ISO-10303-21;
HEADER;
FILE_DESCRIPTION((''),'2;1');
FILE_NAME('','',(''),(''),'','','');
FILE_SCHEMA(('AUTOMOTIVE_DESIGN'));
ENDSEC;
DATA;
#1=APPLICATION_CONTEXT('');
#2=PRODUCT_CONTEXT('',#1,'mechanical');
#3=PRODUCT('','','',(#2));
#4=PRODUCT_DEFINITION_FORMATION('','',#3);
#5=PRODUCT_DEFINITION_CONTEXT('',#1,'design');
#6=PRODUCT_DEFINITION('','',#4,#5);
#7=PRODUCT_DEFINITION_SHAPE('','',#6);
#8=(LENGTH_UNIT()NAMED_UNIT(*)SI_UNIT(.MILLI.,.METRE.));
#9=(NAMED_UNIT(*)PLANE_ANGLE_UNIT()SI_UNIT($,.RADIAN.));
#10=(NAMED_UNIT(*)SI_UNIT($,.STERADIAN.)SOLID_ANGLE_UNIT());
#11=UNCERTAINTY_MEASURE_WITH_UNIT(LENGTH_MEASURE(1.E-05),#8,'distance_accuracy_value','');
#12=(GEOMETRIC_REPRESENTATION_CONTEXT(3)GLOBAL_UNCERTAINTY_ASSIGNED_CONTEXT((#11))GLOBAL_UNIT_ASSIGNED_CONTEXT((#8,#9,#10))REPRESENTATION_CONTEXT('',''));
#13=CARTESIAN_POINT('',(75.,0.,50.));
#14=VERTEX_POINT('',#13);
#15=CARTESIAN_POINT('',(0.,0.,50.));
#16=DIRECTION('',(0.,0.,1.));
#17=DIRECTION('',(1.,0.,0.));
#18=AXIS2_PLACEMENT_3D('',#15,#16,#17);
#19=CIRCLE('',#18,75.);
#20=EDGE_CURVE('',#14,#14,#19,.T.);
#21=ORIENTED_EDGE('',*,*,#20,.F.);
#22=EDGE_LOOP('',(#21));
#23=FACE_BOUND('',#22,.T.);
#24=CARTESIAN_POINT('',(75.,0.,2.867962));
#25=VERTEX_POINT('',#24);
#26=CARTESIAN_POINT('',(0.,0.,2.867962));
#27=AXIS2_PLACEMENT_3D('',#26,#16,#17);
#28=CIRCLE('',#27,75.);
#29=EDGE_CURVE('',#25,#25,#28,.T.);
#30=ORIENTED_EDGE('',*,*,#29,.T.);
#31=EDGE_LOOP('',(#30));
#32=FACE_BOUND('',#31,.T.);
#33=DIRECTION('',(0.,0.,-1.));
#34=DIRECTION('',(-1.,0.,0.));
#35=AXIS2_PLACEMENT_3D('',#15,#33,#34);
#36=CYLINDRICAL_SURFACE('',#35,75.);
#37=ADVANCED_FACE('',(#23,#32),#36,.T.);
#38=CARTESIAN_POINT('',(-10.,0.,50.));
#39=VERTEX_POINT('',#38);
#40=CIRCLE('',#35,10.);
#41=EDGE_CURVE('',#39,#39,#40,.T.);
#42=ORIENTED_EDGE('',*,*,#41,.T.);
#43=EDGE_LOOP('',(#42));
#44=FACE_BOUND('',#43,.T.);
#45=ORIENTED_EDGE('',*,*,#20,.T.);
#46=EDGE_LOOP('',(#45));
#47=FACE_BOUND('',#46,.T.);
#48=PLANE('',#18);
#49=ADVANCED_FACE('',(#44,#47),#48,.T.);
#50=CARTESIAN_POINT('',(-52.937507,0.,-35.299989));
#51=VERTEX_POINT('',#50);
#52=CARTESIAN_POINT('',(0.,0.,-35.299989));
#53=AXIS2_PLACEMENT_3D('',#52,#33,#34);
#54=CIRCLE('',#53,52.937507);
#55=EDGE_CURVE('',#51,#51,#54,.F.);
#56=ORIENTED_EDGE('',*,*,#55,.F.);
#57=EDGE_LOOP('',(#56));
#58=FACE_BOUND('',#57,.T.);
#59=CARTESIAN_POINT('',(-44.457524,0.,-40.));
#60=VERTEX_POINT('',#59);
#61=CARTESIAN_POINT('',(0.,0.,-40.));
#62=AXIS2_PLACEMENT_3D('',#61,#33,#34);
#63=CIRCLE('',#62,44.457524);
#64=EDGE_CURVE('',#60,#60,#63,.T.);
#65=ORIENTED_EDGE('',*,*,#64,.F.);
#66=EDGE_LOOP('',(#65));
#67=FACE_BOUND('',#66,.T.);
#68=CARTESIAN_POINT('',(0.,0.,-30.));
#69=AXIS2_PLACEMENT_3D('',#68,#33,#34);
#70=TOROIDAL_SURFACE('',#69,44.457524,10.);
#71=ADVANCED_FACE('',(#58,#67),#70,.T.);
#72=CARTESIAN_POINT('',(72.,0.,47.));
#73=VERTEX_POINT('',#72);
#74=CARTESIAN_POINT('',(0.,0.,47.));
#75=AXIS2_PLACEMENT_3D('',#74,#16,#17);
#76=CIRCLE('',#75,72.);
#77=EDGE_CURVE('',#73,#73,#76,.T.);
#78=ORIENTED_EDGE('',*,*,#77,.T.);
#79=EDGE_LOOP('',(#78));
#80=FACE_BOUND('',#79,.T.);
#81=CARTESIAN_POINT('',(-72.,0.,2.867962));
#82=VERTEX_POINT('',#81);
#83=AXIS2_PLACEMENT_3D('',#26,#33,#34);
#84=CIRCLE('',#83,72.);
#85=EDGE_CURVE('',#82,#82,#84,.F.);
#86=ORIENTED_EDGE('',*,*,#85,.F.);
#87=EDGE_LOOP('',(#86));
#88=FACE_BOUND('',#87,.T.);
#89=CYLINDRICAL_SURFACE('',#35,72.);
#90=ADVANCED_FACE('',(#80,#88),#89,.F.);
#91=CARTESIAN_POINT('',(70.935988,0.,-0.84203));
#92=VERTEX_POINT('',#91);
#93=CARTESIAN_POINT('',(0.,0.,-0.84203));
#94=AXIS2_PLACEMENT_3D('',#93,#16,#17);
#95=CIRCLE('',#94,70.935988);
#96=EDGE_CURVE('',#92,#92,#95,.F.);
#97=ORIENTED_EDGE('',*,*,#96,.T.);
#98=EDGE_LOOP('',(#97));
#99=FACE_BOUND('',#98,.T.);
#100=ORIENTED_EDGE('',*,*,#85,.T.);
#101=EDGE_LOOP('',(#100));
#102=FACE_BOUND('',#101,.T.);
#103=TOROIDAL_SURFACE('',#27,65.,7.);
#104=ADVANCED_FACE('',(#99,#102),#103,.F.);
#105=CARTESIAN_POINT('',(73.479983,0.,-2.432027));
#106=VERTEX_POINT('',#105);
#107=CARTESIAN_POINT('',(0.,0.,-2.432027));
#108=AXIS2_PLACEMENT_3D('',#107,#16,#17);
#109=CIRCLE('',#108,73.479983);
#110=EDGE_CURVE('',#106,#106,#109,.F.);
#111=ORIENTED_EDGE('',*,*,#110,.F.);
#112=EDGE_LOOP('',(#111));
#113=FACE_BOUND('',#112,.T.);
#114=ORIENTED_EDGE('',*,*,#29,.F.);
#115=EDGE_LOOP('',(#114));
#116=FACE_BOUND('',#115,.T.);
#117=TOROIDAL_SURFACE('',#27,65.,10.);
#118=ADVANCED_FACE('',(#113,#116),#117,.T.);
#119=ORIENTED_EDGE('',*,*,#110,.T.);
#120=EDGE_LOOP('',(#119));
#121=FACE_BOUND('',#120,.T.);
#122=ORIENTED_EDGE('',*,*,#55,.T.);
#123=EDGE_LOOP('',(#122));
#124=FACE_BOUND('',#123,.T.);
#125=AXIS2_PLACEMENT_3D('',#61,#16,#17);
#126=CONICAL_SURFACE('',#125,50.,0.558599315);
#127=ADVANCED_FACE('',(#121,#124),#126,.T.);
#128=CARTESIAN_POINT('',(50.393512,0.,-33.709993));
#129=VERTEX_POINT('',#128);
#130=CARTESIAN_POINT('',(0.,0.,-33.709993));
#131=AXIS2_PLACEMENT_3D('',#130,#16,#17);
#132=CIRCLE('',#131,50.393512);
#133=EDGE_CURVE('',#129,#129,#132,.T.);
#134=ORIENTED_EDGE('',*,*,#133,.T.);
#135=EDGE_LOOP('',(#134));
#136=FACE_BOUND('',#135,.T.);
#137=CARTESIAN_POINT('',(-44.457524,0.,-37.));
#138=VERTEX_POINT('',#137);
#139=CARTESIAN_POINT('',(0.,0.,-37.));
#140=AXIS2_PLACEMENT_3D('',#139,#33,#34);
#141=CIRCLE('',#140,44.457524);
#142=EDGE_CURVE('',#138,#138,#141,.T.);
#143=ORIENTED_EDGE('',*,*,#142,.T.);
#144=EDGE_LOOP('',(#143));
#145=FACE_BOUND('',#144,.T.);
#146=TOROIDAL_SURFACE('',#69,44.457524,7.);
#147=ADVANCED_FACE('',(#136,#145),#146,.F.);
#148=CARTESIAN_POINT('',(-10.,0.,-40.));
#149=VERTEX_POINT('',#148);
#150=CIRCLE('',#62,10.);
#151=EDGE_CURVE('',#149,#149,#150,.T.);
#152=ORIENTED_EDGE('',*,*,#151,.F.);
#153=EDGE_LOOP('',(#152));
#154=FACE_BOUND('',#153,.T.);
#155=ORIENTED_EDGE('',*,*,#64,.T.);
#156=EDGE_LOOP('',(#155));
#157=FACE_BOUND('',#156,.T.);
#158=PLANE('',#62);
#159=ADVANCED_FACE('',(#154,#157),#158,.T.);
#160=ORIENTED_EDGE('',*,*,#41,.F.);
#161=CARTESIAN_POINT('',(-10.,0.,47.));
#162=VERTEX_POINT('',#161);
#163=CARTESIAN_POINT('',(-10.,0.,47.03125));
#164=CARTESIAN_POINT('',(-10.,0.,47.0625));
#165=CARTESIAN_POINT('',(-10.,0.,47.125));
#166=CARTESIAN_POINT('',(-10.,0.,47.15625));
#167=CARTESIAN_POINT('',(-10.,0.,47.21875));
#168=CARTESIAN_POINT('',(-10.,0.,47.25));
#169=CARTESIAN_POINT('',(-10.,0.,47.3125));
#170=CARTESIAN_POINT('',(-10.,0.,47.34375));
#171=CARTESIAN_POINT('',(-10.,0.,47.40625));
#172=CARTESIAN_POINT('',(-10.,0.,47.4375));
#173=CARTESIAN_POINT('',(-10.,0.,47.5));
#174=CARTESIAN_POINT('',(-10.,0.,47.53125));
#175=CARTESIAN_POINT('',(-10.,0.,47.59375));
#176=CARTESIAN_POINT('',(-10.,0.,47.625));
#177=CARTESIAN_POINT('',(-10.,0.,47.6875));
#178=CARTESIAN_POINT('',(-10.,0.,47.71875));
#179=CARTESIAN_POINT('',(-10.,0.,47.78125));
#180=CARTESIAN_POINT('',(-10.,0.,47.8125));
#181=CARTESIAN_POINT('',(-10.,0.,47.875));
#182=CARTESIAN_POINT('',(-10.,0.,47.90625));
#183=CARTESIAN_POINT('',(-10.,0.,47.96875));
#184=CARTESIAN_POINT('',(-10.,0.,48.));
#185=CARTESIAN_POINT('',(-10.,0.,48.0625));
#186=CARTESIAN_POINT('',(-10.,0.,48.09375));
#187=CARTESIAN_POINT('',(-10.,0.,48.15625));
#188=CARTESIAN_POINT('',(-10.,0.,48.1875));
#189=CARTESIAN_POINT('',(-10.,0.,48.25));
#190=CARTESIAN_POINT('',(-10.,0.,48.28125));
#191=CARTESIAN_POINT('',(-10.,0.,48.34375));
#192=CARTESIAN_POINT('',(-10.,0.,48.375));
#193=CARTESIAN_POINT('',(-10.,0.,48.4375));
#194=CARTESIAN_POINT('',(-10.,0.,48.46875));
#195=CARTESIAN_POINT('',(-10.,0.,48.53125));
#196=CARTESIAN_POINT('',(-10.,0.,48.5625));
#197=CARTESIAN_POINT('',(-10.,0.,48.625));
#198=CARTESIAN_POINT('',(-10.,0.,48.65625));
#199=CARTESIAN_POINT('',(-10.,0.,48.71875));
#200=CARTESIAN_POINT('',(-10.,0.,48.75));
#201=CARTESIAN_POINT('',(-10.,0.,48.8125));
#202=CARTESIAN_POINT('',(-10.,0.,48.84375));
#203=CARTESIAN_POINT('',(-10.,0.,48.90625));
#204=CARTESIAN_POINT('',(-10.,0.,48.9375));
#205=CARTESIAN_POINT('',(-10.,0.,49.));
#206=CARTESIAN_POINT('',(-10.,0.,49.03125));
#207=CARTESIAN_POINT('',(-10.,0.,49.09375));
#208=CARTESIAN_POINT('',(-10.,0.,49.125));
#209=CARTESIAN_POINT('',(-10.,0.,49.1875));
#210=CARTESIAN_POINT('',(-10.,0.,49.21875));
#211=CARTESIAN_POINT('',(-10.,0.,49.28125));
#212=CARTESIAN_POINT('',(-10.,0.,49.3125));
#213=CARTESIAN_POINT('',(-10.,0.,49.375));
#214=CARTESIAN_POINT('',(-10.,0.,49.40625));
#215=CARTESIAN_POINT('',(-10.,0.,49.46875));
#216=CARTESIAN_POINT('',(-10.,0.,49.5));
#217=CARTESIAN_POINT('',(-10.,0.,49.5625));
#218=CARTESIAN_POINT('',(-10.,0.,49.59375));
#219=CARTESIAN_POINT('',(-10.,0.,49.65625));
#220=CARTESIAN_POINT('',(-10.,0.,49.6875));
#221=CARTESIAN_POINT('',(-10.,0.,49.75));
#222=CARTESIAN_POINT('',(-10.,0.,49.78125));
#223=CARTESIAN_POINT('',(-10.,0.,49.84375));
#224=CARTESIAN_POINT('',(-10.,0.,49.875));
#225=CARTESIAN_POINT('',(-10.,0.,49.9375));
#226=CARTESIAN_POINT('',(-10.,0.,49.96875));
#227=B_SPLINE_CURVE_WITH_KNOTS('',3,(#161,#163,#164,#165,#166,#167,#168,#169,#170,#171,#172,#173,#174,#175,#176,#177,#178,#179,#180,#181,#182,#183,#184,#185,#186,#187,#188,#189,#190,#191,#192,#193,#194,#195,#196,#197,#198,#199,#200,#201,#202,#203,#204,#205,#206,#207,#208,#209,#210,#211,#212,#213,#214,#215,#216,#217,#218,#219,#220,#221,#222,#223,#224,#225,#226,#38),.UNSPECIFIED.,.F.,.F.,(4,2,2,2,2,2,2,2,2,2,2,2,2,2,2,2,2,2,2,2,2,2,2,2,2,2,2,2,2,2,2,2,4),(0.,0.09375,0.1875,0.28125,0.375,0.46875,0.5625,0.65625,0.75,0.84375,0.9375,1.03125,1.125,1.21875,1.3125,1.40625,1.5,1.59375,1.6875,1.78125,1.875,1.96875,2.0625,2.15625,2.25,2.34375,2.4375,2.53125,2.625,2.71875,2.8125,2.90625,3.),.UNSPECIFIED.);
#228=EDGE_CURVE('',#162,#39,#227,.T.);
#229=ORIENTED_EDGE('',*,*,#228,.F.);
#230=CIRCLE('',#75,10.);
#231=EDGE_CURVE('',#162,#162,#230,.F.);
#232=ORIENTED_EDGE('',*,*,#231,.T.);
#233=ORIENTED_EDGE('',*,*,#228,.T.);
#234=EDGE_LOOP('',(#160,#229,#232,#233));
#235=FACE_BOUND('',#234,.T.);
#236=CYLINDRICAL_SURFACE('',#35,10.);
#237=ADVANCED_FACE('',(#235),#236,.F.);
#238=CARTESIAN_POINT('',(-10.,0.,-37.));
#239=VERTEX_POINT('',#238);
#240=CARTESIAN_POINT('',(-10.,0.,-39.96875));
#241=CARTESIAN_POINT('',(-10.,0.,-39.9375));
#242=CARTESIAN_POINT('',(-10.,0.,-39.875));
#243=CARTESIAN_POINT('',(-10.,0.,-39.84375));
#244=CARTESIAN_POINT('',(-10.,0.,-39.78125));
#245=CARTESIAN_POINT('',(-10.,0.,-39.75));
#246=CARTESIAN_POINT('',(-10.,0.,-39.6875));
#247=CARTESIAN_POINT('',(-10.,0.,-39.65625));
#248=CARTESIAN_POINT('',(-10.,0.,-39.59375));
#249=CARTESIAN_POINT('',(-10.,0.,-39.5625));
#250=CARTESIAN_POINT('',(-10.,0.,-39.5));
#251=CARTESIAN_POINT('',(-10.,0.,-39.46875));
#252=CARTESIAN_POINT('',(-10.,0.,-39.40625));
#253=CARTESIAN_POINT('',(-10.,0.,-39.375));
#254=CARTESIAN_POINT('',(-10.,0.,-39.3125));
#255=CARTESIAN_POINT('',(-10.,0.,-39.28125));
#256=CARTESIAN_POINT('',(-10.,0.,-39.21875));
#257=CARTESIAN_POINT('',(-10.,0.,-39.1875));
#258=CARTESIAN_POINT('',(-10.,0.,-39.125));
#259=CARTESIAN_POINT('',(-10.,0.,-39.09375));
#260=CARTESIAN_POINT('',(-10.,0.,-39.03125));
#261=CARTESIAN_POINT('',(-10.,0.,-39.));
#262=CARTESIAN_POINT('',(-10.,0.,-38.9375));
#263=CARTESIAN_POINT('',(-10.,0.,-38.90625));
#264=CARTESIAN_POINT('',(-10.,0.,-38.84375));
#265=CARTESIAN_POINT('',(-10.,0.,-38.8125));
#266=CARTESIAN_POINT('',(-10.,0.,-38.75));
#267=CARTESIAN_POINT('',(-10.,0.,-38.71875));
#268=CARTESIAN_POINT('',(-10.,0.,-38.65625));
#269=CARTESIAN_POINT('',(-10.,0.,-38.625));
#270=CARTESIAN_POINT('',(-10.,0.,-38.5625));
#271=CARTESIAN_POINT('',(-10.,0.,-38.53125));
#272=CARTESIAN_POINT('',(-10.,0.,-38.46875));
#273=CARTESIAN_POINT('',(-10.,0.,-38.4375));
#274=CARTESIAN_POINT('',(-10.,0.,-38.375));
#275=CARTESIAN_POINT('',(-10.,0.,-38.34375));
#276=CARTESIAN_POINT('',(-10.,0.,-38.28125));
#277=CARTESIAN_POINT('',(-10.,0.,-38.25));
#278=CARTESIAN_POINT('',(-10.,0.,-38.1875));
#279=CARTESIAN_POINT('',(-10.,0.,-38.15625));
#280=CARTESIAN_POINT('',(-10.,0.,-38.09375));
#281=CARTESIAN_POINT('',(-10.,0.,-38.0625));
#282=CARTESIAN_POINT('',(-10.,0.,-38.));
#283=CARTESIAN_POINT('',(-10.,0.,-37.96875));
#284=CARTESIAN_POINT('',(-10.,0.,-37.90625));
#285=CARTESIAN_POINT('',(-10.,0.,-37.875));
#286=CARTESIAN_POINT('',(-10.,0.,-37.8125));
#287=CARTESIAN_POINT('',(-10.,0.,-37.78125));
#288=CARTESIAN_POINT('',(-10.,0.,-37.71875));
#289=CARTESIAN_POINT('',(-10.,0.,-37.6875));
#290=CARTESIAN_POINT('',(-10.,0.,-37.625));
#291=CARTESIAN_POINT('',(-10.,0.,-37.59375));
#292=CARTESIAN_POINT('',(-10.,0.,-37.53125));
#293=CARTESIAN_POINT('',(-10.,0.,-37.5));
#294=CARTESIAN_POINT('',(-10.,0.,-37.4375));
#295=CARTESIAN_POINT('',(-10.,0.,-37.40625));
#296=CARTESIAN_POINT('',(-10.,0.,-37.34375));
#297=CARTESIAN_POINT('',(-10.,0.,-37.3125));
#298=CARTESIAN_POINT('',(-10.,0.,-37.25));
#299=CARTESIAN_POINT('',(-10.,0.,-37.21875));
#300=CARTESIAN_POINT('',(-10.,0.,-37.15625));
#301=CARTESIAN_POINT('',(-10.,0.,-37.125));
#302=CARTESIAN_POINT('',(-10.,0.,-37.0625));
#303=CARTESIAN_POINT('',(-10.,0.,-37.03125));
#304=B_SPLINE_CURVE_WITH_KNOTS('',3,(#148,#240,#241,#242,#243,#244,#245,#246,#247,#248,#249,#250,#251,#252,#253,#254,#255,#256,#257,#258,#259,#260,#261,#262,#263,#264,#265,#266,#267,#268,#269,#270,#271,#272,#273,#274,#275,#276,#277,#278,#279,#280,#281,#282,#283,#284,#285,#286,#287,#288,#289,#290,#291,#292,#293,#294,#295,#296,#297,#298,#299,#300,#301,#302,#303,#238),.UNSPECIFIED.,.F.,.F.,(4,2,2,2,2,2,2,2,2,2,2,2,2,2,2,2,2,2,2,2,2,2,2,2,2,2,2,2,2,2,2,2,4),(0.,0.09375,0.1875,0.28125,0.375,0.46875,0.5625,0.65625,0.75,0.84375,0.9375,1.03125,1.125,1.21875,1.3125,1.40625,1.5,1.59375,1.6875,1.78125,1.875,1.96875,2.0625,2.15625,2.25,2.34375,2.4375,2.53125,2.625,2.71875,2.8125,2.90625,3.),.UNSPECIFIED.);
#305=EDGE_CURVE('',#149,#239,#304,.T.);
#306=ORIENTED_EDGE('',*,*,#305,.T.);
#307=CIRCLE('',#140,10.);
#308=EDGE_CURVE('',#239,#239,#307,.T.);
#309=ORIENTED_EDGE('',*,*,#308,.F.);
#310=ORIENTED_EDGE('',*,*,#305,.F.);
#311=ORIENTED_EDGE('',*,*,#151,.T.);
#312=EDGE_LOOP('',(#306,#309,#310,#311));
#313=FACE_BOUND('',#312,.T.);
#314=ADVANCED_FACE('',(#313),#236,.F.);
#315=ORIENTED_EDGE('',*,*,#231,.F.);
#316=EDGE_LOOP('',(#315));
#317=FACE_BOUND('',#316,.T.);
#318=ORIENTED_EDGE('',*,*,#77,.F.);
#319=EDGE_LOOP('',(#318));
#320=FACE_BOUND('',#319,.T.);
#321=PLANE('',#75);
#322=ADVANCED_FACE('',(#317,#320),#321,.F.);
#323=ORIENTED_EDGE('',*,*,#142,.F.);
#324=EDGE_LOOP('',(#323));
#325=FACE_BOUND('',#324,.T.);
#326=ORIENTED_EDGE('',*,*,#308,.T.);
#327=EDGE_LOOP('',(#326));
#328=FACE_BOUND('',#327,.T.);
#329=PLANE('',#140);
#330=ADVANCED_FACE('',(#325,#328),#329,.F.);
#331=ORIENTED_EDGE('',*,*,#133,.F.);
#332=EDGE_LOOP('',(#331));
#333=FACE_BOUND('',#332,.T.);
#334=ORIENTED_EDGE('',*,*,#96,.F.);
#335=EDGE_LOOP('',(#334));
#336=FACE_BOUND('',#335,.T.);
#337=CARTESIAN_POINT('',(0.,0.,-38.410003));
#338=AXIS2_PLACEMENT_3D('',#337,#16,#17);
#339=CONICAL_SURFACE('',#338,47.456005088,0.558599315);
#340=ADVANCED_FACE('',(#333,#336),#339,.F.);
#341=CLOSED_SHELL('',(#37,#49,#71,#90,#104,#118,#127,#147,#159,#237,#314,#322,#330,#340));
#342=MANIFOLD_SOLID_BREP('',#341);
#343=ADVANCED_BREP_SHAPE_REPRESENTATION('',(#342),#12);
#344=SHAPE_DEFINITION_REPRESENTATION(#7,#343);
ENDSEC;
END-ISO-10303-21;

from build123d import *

# Parameters (mm, degrees)
SKETCH_1_R          = 75
EXTRUDE_1_DEPTH     = 50
SKETCH_3_R          = 50
SKETCH_2_R          = 75
FILLET_1_R          = 10
SKETCH_4_R          = 10
CUT_EXTRUDE_1_DEPTH = 140.104278635
SHELL_1_T           = -3


with BuildPart() as part:
    # 草图1 → 凸台-拉伸1 (new body)
    with BuildSketch(Plane.XY):
        Circle(SKETCH_1_R)
    extrude(amount=EXTRUDE_1_DEPTH)

    # 草图3 → 放样1 section 0
    with BuildSketch(Plane(origin=(0, 0, -40), x_dir=(-1, 0, 0), z_dir=(0, 0, -1))):
        Circle(SKETCH_3_R)
    # 草图2 → 放样1 section 1
    with BuildSketch(Plane(origin=(0, 0, 0), x_dir=(-1, 0, 0), z_dir=(0, 0, -1))):
        Circle(SKETCH_2_R)
    loft()

    # 圆角1
    fillet_1_edges = [part.edges().sort_by_distance(p)[0] for p in [
        (50, 0, -40),
        (0, 75, 0),
    ]]
    fillet(fillet_1_edges, radius=FILLET_1_R)

    # 草图4 → 切除-拉伸1 (cut, through all)
    with BuildSketch(Plane(origin=(0, 0, -40), x_dir=(-1, 0, 0), z_dir=(0, 0, -1))):
        Circle(SKETCH_4_R)
    extrude(amount=-CUT_EXTRUDE_1_DEPTH, mode=Mode.SUBTRACT)

    # 抽壳1
    shell_1_openings = [part.faces().sort_by_distance(p)[0] for p in [
        (10, 0, 5),
    ]]
    offset(amount=SHELL_1_T, openings=shell_1_openings, kind=Kind.INTERSECTION)


solid = part.part
